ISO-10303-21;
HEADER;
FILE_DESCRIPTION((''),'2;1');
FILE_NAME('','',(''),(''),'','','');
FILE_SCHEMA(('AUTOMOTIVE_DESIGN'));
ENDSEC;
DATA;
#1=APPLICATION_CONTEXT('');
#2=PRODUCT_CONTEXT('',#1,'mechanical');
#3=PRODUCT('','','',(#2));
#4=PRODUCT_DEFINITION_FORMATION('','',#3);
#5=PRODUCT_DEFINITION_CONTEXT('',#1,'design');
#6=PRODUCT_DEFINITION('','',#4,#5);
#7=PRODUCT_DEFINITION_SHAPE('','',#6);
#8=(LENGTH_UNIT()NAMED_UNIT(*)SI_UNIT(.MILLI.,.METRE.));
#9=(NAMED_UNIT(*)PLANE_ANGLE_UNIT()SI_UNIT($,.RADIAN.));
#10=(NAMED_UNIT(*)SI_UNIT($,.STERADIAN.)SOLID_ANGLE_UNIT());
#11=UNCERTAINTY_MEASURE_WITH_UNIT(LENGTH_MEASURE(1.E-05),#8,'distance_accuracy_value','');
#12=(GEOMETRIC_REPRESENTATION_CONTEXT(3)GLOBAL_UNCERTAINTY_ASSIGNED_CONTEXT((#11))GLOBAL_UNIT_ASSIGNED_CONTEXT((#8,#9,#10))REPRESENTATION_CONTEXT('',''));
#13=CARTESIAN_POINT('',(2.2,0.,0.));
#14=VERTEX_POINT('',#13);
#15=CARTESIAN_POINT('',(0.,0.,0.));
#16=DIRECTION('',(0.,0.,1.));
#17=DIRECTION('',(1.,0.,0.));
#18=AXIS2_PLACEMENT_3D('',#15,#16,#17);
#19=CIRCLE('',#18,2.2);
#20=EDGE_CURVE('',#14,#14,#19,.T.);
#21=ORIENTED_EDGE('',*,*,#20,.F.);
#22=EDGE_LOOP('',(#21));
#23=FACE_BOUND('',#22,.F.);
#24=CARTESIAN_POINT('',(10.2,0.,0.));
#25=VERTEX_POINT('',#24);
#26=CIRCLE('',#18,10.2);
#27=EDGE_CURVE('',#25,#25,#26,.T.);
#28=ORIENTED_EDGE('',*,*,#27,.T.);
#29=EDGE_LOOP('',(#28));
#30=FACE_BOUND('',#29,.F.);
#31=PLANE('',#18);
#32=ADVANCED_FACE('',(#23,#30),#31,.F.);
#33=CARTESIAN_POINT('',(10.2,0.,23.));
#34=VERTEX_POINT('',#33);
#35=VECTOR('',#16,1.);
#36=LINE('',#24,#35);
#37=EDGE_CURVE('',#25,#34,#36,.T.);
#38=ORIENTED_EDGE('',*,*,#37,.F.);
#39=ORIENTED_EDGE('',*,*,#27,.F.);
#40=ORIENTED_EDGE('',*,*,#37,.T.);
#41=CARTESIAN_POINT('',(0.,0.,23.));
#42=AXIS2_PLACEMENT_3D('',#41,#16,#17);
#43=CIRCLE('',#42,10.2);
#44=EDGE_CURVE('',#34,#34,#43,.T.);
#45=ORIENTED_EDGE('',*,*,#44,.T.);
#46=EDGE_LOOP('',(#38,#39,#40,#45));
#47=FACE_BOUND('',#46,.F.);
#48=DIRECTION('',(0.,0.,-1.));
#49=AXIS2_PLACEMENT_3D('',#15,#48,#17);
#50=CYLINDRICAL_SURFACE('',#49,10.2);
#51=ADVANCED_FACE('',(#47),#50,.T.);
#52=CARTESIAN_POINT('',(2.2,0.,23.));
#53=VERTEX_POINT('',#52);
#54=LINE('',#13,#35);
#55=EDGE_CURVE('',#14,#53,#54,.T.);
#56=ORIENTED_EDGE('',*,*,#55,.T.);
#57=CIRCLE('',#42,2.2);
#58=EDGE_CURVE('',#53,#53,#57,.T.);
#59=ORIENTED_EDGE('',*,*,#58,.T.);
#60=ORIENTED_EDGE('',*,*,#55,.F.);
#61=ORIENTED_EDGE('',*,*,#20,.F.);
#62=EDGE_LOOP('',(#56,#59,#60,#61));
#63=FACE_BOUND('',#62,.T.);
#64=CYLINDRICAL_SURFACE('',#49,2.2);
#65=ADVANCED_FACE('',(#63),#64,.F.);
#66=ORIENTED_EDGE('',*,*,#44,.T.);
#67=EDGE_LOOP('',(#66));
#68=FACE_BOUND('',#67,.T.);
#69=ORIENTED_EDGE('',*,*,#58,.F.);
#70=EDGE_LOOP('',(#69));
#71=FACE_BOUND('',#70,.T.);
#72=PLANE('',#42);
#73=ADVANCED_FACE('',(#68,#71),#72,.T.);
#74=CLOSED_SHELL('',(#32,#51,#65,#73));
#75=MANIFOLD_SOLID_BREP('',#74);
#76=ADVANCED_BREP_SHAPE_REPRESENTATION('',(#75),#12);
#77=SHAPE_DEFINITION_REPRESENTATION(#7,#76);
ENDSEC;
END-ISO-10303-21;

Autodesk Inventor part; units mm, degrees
ref_plane "YZ Plane" through (0, 0, 0) normal (1, 0, 0) x (0, 1, 0)
ref_plane "XZ Plane" through (0, 0, 0) normal (0, 1, 0) x (-1, 0, 0)
ref_plane "XY Plane" through (0, 0, 0) normal (0, 0, 1) x (1, 0, 0)
sketch "Sketch1" plane through (0, 0, 0) normal (0, 0, 1) x (1, 0, 0)
  circle A0 centre (0, 0) radius 10.2
  circle A1 centre (0, 0) radius 2.2
  dimension "d0" = 20.4
  dimension "d1" = 4.4
extrude "Extrusion1" add sketch "Sketch1" along normal blind 23
properties part number "Arm 28X - main arm spacer"
